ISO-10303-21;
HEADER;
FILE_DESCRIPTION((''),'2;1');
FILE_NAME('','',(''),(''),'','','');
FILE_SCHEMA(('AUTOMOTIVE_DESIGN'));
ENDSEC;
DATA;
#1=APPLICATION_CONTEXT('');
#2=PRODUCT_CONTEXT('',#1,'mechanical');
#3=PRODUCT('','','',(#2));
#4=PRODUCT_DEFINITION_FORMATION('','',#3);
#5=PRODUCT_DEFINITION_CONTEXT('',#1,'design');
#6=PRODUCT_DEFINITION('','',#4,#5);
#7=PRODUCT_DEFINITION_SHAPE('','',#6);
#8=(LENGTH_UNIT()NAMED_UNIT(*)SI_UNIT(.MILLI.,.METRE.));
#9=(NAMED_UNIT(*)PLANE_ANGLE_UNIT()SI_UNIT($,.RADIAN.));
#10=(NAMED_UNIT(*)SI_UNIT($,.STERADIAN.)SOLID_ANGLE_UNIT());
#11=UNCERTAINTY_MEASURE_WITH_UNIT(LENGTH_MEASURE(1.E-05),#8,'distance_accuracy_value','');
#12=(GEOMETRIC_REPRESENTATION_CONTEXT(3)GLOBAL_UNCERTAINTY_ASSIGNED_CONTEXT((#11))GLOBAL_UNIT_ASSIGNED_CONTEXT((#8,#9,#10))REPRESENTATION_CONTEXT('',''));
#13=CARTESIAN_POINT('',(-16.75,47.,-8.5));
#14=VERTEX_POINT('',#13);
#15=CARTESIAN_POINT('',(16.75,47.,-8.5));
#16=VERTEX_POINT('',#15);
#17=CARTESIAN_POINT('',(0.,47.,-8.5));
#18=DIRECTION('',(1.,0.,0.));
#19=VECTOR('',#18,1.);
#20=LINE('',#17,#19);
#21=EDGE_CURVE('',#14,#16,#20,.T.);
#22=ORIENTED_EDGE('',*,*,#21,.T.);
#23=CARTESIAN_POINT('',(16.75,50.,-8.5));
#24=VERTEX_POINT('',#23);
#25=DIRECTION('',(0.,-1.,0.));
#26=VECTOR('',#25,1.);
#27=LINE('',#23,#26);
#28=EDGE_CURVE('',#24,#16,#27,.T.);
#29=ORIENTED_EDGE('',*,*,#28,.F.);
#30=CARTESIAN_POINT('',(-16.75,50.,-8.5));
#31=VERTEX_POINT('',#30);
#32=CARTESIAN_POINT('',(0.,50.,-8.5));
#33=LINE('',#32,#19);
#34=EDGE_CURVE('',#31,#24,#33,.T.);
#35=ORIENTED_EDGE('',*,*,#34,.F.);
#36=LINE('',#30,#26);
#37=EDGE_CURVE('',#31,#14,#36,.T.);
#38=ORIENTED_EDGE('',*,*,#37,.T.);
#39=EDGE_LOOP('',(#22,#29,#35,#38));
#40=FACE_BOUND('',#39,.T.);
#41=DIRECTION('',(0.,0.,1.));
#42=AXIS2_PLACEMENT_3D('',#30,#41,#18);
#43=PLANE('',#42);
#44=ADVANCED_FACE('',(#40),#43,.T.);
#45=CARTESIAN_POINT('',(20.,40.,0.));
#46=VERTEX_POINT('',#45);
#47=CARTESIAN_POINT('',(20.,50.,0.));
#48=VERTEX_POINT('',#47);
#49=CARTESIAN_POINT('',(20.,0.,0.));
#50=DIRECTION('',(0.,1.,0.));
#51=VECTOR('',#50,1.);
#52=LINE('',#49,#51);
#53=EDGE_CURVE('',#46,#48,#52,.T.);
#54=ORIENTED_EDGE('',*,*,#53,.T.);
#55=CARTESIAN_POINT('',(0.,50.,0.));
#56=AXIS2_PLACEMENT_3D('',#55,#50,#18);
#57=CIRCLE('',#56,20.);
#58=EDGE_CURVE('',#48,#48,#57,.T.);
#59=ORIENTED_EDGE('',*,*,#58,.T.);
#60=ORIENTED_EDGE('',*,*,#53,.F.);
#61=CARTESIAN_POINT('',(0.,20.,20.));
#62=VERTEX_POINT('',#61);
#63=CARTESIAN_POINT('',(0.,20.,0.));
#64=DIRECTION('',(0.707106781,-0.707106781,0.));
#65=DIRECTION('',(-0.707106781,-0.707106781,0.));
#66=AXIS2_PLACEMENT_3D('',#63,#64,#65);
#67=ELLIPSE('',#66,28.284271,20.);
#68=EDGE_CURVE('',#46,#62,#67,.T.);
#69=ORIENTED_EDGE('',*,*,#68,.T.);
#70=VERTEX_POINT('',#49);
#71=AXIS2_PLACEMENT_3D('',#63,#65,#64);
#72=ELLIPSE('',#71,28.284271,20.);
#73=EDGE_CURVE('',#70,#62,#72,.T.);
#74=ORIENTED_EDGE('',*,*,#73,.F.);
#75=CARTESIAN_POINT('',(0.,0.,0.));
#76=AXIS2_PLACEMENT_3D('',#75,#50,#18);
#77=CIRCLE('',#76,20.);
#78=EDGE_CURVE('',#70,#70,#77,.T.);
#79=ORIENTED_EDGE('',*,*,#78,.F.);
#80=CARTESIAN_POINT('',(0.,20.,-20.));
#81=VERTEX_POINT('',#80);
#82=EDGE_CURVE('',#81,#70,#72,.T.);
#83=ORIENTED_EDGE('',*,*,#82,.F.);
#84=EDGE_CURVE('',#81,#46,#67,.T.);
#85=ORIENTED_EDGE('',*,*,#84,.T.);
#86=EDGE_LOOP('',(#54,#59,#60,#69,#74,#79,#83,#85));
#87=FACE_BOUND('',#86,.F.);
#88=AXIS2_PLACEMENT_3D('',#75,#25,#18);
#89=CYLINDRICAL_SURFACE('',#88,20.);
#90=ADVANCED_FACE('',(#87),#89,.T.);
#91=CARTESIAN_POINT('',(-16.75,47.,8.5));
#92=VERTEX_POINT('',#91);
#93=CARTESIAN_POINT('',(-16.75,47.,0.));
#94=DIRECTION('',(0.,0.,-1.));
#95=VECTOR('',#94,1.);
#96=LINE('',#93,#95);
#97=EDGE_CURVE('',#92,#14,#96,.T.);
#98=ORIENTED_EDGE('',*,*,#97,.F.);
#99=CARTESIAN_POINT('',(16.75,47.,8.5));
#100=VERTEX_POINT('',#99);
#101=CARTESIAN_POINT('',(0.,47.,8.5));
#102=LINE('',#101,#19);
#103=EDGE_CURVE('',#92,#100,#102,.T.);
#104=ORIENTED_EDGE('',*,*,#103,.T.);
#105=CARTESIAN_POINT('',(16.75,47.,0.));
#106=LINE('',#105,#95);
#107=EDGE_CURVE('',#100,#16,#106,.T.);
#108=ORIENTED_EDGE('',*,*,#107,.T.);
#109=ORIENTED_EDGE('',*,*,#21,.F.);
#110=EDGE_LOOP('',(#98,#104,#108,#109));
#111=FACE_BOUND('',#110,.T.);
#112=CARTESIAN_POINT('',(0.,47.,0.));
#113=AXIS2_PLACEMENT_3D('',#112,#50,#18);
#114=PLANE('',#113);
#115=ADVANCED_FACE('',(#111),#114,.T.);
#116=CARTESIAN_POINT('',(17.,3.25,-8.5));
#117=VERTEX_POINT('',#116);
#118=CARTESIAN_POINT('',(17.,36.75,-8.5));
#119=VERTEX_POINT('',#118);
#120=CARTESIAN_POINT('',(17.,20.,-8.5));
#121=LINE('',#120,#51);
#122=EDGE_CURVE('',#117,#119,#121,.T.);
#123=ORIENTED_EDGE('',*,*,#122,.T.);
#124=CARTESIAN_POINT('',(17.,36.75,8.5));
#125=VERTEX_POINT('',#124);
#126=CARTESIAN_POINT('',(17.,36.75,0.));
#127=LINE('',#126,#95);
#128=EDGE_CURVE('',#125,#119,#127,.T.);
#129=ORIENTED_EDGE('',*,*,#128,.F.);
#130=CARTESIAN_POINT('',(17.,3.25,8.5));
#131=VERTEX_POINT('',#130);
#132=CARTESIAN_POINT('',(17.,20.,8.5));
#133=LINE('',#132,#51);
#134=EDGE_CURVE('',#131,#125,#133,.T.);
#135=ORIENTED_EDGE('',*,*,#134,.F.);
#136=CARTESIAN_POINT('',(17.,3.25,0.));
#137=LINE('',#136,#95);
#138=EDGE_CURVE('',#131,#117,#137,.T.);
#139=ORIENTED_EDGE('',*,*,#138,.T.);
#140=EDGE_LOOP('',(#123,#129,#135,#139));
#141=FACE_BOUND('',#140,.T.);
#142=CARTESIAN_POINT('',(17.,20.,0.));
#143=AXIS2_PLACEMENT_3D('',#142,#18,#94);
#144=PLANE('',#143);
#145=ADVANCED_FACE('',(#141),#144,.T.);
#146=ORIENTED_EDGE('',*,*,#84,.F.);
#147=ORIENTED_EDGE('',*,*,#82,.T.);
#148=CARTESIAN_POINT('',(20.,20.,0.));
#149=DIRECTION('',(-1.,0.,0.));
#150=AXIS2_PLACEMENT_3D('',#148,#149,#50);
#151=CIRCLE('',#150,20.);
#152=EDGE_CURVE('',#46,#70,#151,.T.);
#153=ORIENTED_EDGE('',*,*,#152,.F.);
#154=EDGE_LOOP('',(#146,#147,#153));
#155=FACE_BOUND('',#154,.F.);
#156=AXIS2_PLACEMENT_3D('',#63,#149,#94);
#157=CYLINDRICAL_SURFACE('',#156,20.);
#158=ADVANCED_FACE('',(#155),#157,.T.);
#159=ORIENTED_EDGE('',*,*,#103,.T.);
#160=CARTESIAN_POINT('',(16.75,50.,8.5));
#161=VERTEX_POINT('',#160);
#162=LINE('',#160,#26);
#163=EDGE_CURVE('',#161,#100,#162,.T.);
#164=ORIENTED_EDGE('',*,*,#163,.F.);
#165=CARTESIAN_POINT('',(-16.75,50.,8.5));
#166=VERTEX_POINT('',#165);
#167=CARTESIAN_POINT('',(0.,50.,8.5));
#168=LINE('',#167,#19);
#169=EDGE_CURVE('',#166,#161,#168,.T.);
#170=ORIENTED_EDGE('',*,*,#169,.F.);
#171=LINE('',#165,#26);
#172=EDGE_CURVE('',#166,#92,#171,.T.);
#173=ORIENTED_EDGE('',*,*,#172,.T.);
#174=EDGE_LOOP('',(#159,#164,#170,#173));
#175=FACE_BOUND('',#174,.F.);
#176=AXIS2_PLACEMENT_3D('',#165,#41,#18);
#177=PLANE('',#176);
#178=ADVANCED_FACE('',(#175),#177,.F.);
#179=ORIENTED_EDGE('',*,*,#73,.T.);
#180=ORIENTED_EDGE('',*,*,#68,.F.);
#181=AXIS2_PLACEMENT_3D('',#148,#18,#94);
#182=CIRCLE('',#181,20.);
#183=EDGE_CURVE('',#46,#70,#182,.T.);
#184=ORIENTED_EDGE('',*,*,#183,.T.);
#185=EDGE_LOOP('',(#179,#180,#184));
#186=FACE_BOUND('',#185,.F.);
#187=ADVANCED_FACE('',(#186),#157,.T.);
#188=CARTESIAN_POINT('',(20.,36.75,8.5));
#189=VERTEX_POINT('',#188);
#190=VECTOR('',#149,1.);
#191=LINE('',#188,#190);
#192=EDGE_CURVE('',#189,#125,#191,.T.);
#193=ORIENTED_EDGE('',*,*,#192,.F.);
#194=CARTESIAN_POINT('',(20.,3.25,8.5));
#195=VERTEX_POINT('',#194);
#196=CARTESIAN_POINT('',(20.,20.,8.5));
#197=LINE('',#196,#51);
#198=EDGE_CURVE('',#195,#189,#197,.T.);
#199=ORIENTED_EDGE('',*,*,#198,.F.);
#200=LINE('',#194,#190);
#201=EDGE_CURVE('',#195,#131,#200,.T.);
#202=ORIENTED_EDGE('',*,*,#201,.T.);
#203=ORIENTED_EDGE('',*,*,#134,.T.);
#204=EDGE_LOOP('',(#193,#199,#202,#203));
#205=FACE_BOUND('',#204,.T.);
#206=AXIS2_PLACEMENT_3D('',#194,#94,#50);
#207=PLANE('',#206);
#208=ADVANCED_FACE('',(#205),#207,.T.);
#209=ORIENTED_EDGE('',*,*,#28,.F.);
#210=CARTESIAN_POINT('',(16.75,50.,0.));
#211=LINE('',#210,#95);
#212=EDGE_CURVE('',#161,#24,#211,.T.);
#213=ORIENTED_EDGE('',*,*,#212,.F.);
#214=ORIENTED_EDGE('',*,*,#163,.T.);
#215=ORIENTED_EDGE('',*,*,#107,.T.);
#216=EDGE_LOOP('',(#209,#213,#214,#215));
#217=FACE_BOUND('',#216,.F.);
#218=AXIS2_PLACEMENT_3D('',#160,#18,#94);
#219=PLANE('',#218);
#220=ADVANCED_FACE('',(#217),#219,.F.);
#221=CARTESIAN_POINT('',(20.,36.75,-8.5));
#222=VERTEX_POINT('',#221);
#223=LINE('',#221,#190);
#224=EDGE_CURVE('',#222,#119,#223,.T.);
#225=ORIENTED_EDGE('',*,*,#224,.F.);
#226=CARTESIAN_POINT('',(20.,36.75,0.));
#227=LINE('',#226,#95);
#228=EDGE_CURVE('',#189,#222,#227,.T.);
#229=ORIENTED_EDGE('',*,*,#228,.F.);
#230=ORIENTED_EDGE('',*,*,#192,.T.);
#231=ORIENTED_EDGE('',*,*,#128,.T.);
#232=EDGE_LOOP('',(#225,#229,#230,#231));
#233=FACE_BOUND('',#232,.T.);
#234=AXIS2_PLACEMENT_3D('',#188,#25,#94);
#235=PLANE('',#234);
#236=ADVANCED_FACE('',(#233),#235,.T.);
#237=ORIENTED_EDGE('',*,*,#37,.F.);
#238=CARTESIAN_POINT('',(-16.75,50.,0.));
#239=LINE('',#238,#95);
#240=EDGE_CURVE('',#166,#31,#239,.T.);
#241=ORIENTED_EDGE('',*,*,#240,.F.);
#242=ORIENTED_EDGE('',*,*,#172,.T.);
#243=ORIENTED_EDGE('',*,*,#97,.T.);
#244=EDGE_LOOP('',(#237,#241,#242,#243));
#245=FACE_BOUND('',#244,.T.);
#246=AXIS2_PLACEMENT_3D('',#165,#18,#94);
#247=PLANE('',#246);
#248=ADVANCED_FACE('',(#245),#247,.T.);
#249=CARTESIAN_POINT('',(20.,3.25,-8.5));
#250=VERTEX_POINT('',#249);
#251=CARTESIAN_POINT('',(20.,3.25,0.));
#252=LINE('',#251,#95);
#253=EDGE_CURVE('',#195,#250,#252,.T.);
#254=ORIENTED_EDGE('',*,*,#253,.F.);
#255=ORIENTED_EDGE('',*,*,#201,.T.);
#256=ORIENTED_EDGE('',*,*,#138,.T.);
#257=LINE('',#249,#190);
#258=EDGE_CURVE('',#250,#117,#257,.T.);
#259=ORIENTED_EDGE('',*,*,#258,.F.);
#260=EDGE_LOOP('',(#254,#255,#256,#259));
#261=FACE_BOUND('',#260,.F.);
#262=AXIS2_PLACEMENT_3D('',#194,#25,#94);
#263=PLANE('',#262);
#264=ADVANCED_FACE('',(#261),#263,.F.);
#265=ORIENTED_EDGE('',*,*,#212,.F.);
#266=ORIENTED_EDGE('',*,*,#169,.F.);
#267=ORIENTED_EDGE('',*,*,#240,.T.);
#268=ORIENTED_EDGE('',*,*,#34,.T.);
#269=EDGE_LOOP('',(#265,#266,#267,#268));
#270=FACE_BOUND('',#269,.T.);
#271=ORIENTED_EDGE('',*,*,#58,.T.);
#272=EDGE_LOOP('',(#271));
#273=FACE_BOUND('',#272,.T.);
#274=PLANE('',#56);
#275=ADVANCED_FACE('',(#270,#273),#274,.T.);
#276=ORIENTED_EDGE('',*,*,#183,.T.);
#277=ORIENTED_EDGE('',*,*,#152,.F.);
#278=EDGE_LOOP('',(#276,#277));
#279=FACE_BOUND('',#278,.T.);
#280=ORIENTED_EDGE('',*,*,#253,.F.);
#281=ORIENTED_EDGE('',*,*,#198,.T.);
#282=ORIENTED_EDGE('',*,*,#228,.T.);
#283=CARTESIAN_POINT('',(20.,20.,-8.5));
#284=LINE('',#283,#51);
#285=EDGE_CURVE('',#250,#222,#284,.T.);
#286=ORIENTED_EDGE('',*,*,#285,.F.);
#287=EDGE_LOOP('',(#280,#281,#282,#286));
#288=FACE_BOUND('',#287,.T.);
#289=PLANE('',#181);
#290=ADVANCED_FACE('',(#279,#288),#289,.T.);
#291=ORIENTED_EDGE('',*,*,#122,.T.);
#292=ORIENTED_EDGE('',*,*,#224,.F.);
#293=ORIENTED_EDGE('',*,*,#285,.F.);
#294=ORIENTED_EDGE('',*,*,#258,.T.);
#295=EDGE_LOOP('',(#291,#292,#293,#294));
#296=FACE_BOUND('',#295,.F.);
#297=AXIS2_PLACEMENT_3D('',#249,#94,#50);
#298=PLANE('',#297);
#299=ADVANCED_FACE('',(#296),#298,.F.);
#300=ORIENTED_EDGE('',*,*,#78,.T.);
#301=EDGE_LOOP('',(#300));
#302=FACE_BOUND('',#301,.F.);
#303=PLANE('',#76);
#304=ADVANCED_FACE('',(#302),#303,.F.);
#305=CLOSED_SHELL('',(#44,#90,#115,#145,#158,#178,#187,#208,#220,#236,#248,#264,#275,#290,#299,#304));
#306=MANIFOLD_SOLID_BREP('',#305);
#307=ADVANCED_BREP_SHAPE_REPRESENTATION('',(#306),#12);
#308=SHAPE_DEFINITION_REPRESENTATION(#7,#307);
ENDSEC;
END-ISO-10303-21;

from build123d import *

# Parameters (mm, degrees)
CROQUIS1_R              = 20
SALIENTE_EXTRUIR1_DEPTH = 50
CROQUIS3_R              = 20
SALIENTE_EXTRUIR2_DEPTH = 20
CROQUIS4_W              = 33.5
CROQUIS4_H              = 17
CORTAR_EXTRUIR2_DEPTH   = 3
CROQUIS5_W              = 17
CROQUIS5_H              = 33.5
CORTAR_EXTRUIR3_DEPTH   = 3


with BuildPart() as part:
    # Croquis1 → Saliente-Extruir1 (new body)
    with BuildSketch(Plane(origin=(0, 0, 0), x_dir=(1, 0, 0), z_dir=(0, 1, 0))):
        Circle(CROQUIS1_R)
    extrude(amount=SALIENTE_EXTRUIR1_DEPTH)

    # Croquis3 → Saliente-Extruir2 (add)
    with BuildSketch(Plane(origin=(0, 0, 0), x_dir=(0, 0, -1), z_dir=(1, 0, 0))):
        with Locations((0, 20)):
            Circle(CROQUIS3_R)
    extrude(amount=SALIENTE_EXTRUIR2_DEPTH)

    # Croquis4 → Cortar-Extruir2 (cut)
    with BuildSketch(Plane(origin=(0, 50, 0), x_dir=(1, 0, 0), z_dir=(0, 1, 0))):
        Rectangle(CROQUIS4_W, CROQUIS4_H)
    extrude(amount=-CORTAR_EXTRUIR2_DEPTH, mode=Mode.SUBTRACT)

    # Croquis5 → Cortar-Extruir3 (cut)
    with BuildSketch(Plane(origin=(20, 0, 0), x_dir=(0, 0, -1), z_dir=(1, 0, 0))):
        with Locations((0, 20)):
            Rectangle(CROQUIS5_W, CROQUIS5_H)
    extrude(amount=-CORTAR_EXTRUIR3_DEPTH, mode=Mode.SUBTRACT)


solid = part.part
